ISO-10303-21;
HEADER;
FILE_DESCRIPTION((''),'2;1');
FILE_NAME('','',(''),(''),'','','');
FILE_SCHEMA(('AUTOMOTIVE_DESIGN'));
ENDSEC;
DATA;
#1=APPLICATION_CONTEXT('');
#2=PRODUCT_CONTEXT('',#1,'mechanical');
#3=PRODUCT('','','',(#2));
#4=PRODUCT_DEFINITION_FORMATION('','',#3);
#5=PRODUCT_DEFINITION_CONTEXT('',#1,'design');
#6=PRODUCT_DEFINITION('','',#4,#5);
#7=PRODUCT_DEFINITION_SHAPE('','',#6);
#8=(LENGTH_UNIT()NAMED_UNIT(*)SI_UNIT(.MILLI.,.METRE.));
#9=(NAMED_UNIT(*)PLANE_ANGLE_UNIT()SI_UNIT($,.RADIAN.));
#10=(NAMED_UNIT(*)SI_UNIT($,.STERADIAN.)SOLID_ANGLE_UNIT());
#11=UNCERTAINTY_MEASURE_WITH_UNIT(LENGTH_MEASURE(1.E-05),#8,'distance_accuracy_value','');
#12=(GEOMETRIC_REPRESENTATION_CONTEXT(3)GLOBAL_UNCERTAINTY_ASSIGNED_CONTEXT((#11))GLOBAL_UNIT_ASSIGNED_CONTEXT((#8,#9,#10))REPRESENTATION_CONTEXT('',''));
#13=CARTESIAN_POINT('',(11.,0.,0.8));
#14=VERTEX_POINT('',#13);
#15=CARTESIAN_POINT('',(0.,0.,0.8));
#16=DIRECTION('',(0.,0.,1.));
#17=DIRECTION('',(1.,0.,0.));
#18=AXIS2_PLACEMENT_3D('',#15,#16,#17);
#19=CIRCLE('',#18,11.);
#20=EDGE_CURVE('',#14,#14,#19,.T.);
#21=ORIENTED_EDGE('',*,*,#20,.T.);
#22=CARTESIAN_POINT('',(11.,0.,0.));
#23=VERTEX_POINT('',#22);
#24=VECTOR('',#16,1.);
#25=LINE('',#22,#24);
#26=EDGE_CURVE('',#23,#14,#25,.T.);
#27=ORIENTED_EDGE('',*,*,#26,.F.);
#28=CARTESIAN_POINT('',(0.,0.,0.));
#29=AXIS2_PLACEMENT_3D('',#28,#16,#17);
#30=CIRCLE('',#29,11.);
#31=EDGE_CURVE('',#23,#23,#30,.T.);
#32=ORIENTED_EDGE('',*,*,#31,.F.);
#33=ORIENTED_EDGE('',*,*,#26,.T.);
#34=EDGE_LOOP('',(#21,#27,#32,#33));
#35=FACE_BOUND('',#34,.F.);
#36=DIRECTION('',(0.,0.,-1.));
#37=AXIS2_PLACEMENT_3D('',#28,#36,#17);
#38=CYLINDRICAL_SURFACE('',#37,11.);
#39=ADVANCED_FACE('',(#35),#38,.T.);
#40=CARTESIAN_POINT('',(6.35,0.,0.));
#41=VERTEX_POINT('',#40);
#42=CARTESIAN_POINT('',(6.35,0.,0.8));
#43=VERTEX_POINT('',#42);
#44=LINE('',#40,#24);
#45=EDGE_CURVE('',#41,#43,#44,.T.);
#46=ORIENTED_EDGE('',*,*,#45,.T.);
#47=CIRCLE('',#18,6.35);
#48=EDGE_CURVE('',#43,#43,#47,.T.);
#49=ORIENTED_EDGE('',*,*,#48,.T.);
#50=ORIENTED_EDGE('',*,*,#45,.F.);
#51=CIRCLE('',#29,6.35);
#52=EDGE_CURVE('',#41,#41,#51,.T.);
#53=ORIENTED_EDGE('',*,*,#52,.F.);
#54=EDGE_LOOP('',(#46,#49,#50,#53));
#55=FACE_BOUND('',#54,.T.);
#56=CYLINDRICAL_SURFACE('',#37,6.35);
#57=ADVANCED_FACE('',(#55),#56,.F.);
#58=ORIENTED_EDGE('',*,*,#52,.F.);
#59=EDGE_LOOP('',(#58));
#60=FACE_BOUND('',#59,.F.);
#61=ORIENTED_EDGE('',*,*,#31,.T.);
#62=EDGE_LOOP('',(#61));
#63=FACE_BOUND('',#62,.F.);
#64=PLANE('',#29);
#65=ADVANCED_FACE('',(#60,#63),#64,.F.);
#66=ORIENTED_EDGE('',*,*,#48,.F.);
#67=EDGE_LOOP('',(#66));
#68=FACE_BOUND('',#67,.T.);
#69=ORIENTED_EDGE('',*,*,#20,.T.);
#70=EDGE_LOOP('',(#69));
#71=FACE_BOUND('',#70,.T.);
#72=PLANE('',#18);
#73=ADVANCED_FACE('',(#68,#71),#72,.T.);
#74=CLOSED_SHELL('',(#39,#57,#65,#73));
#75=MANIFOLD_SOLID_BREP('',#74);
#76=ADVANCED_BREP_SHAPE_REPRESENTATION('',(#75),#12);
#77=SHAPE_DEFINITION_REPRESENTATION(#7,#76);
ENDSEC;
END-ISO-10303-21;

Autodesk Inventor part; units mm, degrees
ref_plane "YZ Plane" through (0, 0, 0) normal (1, 0, 0) x (0, 1, 0)
ref_plane "XZ Plane" through (0, 0, 0) normal (0, 1, 0) x (-1, 0, 0)
ref_plane "XY Plane" through (0, 0, 0) normal (0, 0, 1) x (1, 0, 0)
sketch "Sketch1" plane through (0, 0, 0) normal (0, 0, 1) x (1, 0, 0)
  circle A0 centre (0, 0) radius 6.35
  circle A1 centre (0, 0) radius 11
  dimension "d0" = 12.7
  dimension "d1" = 22
extrude "Extrusion1" add sketch "Sketch1" along normal blind 0.8
properties part number "shim_12x22x1"
